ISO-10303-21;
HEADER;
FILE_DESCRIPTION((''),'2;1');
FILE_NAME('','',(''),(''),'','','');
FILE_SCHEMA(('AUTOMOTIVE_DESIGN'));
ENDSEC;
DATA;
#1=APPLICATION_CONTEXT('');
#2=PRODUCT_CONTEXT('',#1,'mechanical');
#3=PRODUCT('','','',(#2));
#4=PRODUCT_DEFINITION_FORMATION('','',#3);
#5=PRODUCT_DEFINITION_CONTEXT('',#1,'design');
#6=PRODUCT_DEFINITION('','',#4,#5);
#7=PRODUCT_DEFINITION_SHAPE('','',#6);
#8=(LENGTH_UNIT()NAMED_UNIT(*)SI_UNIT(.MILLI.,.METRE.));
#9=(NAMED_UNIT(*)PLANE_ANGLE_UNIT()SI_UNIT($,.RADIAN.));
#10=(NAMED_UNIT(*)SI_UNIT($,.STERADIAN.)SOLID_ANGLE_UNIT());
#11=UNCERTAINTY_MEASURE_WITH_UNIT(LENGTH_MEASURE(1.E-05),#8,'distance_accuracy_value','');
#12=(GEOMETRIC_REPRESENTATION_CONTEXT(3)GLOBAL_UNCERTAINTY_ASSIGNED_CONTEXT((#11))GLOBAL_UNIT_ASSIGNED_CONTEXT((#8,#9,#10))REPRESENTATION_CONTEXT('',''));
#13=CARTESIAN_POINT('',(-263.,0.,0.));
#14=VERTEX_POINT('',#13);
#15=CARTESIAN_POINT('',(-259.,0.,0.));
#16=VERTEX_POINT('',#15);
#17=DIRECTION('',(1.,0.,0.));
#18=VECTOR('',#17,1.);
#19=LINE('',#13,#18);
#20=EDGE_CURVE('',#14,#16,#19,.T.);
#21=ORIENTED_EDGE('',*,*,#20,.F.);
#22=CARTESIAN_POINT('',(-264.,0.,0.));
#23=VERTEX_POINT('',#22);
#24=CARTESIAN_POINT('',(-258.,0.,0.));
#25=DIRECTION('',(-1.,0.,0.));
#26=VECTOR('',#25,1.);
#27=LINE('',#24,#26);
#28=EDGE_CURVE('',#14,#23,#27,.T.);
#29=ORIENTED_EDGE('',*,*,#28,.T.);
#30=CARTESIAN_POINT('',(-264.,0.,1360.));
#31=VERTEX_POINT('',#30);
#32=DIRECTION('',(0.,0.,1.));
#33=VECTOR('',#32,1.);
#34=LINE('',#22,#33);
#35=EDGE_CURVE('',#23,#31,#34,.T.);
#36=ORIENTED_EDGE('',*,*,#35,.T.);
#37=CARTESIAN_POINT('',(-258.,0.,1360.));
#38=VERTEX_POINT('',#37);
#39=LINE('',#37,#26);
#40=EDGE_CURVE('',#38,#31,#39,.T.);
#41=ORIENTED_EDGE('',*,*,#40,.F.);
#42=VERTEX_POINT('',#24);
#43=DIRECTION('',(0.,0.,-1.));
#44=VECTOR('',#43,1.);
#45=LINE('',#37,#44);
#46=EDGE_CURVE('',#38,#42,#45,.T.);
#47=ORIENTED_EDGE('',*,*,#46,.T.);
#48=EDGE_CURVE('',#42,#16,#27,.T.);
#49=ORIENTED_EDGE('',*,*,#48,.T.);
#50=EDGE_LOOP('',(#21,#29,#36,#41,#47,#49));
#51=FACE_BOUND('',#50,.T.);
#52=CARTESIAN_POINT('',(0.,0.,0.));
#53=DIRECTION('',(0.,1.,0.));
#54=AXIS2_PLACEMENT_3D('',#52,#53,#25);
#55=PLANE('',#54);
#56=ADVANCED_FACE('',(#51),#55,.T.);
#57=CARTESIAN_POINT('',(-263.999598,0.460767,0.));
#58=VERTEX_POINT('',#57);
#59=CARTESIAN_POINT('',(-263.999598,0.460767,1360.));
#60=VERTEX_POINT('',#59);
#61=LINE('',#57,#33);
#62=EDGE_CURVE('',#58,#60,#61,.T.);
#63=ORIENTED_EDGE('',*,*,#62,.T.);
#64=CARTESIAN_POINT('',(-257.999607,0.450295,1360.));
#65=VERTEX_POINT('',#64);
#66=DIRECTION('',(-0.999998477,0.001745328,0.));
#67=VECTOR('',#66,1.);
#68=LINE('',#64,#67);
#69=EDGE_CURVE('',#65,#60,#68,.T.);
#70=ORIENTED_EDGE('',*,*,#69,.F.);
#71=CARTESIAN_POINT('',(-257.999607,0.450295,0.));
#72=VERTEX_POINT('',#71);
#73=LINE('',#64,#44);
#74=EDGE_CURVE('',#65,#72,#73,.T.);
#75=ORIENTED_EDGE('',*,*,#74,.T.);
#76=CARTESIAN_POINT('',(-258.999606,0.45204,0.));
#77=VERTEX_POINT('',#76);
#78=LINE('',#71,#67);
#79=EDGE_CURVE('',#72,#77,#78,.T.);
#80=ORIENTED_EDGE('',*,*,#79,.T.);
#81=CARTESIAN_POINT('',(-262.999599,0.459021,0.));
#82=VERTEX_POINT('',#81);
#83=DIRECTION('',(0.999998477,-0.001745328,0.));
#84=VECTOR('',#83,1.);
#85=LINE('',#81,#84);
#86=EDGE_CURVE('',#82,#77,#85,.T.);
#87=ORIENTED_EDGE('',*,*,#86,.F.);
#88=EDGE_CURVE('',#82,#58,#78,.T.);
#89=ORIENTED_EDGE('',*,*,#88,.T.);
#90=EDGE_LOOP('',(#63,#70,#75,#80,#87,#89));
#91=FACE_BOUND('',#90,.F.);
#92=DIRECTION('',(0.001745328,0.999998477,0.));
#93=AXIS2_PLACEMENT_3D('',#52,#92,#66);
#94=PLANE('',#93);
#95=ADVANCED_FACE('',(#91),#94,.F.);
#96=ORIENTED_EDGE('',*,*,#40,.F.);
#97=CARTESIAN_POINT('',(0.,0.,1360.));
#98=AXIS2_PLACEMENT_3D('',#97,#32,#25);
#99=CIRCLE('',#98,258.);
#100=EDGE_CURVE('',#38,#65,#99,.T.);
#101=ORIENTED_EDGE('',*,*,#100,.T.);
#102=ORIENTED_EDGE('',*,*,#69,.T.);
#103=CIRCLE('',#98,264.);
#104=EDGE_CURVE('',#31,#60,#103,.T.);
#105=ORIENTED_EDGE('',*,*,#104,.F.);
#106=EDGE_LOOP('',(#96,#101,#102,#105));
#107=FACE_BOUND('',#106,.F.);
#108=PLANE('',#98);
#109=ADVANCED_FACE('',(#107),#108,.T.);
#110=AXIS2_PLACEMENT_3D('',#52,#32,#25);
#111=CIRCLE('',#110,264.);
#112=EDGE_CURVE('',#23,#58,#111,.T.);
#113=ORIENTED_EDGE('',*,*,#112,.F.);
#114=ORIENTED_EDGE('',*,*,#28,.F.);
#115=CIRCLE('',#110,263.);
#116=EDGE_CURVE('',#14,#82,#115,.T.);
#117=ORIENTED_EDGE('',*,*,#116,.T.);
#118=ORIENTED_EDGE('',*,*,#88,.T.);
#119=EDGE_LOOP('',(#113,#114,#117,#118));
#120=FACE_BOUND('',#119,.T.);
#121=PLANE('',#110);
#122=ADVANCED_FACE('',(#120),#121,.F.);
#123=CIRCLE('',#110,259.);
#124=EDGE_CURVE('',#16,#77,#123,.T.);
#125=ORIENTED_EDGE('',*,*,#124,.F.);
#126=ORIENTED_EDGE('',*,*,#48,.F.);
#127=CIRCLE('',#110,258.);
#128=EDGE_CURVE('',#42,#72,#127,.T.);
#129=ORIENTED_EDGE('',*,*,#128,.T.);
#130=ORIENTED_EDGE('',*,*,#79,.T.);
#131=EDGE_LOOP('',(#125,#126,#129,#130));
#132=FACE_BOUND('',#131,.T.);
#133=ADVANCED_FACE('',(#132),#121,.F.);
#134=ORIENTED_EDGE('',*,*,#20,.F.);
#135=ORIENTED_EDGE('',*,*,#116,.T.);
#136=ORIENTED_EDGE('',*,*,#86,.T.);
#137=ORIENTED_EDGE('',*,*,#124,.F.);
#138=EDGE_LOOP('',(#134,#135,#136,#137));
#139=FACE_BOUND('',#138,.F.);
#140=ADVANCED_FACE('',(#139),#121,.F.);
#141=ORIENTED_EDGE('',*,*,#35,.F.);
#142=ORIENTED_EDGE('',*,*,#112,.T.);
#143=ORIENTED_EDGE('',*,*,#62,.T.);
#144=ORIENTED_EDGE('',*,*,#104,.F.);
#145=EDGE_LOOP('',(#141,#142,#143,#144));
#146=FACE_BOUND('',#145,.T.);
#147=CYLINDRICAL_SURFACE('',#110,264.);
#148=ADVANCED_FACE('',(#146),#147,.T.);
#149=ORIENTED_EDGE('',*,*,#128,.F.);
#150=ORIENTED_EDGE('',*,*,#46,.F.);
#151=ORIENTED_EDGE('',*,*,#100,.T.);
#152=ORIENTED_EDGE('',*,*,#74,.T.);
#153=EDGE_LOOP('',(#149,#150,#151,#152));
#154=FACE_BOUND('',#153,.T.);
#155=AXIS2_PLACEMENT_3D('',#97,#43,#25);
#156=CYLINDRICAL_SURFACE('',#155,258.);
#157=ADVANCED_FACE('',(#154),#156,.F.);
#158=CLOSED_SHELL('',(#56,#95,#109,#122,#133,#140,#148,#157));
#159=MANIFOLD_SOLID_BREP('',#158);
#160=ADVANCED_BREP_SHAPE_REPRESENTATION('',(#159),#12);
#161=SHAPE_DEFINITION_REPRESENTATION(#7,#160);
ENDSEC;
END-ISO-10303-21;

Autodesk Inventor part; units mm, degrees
ref_plane "YZ Plane" through (0, 0, 0) normal (1, 0, 0) x (0, 1, 0)
ref_plane "XZ Plane" through (0, 0, 0) normal (0, 1, 0) x (-1, 0, 0)
ref_plane "XY Plane" through (0, 0, 0) normal (0, 0, 1) x (1, 0, 0)
sketch "Sketch1" plane through (0, 0, 0) normal (0, 1, 0) x (-1, 0, 0)
  line L0 (258, 1360) -> (258, 0)
  line L1 (258, 0) -> (264, 0)
  line L2 (0, 0) -> (0, 109.131)
  line L3 (258, 1360) -> (264, 1360)
  line L4 (264, 0) -> (264, 1360)
  line L5 (263, 0) -> (259, 0)
  point P0 (261, 0)
  dimension "d3" = 6
  dimension "d5" = 1360
  dimension "d12" = 528
revolve "Revolution1" add sketch "Sketch1" angle 359.9 about axis through (0, 0, 0) along (0, 0, 1)
sketch "Sketch2" plane through (0, 0, 0) normal (0, 1, 0) x (-1, 0, 0)
  circle A0 centre (0, -706) radius 706
  point P0 (0, 0)
  dimension "d9" = 1412
extrude "Extrusion1" [suppressed]
equation "\"BendRadius\" = Thickness"
equation "\"BendReliefWidth\" = Thickness"
equation "\"BendReliefDepth\" = 0.5 * Thickness"
equation "\"CornerReliefSize\" = 4 * Thickness"
equation "\"MinimumRemnant\" = 2 * Thickness"
equation "\"TransitionRadius\" = BendRadius"
equation "\"JacobiRadiusSize\" = BendRadius"
equation "\"GapSize\" = Thickness"
equation "\"Thickness\" = 6"
properties part number "TZS 0991 accses hatch shell" material "Steel"
